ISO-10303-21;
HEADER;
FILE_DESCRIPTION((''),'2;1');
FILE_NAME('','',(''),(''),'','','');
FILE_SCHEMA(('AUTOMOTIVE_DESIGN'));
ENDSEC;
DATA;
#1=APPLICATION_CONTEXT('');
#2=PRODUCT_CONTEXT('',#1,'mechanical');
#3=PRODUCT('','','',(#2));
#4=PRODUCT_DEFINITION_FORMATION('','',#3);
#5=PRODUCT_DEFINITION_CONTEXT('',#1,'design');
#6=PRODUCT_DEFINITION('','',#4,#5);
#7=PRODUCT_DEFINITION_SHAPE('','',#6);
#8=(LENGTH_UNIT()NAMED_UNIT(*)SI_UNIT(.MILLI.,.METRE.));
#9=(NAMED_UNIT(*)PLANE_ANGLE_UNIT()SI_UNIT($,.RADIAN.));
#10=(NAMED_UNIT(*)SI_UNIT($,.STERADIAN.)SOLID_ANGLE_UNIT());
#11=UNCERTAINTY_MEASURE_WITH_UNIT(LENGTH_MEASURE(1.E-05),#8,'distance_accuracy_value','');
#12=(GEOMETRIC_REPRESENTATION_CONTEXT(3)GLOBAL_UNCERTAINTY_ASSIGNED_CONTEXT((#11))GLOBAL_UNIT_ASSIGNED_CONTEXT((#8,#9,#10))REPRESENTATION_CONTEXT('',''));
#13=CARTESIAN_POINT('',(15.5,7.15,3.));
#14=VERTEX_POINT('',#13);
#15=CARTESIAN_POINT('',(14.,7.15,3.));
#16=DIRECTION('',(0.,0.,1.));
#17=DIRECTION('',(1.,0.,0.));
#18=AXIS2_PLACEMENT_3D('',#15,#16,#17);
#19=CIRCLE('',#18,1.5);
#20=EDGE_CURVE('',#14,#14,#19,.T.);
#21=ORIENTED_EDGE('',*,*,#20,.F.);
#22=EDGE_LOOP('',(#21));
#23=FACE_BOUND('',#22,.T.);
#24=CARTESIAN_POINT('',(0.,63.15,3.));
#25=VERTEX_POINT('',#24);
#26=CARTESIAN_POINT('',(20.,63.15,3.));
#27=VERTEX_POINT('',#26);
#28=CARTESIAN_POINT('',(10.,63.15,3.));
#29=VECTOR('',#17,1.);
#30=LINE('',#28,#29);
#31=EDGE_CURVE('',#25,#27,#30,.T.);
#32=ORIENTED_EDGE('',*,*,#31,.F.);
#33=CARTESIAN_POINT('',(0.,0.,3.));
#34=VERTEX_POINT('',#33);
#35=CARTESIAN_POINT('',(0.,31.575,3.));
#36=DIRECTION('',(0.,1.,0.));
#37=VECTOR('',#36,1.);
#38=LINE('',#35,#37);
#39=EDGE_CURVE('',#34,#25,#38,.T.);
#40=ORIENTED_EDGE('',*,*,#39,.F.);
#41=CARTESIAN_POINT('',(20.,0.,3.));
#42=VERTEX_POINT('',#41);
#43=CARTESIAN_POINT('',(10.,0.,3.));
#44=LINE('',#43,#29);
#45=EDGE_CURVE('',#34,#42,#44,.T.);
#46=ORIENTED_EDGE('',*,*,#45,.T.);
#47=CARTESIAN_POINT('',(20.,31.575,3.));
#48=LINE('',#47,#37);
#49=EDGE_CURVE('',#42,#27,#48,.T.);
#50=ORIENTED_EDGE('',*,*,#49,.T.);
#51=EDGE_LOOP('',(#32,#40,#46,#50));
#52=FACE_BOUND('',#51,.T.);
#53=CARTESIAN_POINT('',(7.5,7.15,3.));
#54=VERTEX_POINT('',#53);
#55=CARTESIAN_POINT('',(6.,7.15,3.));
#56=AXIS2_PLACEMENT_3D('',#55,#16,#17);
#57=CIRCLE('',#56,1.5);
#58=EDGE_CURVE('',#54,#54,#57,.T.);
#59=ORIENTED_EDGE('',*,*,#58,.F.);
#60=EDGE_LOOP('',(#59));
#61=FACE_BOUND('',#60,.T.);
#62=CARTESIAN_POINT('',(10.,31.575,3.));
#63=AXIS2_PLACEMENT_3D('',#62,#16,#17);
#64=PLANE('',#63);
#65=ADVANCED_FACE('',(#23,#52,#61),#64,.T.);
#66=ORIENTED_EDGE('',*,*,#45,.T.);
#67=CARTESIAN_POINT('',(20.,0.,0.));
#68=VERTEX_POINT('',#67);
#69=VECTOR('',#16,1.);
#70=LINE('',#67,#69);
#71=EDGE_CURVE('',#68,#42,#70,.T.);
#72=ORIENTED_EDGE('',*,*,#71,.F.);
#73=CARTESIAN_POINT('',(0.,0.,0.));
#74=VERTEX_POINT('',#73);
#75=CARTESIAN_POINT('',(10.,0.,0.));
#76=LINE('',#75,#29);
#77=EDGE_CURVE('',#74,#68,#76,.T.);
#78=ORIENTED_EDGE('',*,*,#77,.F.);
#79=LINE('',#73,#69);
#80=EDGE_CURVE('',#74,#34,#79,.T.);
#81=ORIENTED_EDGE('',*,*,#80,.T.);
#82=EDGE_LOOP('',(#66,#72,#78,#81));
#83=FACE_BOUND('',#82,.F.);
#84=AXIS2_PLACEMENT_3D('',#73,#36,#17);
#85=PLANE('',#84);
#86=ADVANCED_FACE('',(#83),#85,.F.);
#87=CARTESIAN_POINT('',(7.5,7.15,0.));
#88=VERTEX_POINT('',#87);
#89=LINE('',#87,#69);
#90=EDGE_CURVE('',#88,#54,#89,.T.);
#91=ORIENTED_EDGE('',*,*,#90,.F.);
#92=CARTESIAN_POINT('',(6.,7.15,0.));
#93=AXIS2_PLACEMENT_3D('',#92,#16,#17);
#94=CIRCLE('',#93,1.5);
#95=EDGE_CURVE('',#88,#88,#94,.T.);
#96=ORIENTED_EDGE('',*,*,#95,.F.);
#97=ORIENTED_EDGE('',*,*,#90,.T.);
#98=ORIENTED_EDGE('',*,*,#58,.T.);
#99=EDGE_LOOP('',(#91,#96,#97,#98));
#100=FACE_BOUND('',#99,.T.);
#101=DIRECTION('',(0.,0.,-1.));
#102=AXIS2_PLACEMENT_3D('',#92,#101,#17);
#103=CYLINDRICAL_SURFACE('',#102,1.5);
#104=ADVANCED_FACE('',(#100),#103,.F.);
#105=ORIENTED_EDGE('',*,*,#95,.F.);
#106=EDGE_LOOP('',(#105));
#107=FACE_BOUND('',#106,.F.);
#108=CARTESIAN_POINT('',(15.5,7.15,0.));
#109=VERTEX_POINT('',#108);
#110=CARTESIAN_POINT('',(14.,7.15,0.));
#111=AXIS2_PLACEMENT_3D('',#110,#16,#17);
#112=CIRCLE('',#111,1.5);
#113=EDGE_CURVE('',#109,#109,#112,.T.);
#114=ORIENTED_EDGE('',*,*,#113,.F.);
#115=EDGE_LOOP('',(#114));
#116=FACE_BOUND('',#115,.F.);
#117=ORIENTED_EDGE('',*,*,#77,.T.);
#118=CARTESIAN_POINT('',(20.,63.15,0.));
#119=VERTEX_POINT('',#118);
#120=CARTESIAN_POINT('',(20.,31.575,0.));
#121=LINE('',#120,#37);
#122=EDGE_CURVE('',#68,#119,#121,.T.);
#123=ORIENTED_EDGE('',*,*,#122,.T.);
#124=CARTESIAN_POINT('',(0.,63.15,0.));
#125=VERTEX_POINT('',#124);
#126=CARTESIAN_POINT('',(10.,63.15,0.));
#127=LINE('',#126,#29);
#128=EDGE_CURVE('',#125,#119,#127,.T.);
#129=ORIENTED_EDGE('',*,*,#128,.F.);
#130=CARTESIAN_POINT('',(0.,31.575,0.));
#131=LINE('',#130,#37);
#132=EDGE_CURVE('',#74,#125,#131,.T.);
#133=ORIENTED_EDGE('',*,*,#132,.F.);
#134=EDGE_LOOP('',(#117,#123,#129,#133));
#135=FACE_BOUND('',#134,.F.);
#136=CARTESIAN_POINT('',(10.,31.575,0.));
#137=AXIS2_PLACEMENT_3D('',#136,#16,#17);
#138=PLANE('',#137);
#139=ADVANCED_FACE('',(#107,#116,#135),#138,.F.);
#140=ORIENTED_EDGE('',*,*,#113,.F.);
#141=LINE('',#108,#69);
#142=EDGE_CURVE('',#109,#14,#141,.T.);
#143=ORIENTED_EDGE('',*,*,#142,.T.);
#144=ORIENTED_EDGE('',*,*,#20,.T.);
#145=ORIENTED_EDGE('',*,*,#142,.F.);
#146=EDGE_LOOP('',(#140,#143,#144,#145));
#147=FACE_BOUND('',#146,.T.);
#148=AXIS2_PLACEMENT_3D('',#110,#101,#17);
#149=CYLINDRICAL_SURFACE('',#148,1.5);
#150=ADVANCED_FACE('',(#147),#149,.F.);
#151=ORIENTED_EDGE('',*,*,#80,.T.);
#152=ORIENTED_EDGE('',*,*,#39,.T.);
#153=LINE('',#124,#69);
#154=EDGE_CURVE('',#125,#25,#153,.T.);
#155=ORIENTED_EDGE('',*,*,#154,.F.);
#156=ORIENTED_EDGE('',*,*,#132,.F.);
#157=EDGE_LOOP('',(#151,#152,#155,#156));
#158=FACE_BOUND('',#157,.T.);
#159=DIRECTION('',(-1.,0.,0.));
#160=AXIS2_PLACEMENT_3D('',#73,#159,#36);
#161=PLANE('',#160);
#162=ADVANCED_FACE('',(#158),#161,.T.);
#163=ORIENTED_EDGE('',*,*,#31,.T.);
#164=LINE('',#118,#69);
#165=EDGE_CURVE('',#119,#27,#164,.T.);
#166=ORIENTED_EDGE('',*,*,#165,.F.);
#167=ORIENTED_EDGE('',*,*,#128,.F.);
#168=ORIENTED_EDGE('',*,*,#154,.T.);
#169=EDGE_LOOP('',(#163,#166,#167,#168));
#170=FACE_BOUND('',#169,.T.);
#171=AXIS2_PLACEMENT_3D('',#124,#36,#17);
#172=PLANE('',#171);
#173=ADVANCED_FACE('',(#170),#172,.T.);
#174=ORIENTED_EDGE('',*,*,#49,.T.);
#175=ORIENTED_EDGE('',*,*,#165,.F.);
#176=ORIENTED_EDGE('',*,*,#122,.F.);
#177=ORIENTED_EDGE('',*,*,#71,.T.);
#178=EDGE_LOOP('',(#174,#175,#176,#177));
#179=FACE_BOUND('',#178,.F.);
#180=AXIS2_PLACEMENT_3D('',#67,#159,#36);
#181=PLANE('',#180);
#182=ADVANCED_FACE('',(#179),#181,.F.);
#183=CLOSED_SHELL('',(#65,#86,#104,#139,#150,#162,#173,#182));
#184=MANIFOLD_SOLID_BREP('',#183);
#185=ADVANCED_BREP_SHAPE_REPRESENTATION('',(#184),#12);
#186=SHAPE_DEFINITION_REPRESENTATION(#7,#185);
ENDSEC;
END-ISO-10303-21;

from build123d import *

# Parameters (mm, degrees)
SKETCH_W  = 20
SKETCH_H  = 63.15
SKETCH_R  = 1.5
PAD_DEPTH = 3


with BuildPart() as part:
    # Sketch → Pad (new body)
    with BuildSketch(Plane.XY):
        with Locations((10, 31.575)):
            Rectangle(SKETCH_W, SKETCH_H)
        with Locations((6, 7.15)):
            Circle(SKETCH_R, mode=Mode.SUBTRACT)
        with Locations((14, 7.15)):
            Circle(SKETCH_R, mode=Mode.SUBTRACT)
    extrude(amount=PAD_DEPTH)


solid = part.part
